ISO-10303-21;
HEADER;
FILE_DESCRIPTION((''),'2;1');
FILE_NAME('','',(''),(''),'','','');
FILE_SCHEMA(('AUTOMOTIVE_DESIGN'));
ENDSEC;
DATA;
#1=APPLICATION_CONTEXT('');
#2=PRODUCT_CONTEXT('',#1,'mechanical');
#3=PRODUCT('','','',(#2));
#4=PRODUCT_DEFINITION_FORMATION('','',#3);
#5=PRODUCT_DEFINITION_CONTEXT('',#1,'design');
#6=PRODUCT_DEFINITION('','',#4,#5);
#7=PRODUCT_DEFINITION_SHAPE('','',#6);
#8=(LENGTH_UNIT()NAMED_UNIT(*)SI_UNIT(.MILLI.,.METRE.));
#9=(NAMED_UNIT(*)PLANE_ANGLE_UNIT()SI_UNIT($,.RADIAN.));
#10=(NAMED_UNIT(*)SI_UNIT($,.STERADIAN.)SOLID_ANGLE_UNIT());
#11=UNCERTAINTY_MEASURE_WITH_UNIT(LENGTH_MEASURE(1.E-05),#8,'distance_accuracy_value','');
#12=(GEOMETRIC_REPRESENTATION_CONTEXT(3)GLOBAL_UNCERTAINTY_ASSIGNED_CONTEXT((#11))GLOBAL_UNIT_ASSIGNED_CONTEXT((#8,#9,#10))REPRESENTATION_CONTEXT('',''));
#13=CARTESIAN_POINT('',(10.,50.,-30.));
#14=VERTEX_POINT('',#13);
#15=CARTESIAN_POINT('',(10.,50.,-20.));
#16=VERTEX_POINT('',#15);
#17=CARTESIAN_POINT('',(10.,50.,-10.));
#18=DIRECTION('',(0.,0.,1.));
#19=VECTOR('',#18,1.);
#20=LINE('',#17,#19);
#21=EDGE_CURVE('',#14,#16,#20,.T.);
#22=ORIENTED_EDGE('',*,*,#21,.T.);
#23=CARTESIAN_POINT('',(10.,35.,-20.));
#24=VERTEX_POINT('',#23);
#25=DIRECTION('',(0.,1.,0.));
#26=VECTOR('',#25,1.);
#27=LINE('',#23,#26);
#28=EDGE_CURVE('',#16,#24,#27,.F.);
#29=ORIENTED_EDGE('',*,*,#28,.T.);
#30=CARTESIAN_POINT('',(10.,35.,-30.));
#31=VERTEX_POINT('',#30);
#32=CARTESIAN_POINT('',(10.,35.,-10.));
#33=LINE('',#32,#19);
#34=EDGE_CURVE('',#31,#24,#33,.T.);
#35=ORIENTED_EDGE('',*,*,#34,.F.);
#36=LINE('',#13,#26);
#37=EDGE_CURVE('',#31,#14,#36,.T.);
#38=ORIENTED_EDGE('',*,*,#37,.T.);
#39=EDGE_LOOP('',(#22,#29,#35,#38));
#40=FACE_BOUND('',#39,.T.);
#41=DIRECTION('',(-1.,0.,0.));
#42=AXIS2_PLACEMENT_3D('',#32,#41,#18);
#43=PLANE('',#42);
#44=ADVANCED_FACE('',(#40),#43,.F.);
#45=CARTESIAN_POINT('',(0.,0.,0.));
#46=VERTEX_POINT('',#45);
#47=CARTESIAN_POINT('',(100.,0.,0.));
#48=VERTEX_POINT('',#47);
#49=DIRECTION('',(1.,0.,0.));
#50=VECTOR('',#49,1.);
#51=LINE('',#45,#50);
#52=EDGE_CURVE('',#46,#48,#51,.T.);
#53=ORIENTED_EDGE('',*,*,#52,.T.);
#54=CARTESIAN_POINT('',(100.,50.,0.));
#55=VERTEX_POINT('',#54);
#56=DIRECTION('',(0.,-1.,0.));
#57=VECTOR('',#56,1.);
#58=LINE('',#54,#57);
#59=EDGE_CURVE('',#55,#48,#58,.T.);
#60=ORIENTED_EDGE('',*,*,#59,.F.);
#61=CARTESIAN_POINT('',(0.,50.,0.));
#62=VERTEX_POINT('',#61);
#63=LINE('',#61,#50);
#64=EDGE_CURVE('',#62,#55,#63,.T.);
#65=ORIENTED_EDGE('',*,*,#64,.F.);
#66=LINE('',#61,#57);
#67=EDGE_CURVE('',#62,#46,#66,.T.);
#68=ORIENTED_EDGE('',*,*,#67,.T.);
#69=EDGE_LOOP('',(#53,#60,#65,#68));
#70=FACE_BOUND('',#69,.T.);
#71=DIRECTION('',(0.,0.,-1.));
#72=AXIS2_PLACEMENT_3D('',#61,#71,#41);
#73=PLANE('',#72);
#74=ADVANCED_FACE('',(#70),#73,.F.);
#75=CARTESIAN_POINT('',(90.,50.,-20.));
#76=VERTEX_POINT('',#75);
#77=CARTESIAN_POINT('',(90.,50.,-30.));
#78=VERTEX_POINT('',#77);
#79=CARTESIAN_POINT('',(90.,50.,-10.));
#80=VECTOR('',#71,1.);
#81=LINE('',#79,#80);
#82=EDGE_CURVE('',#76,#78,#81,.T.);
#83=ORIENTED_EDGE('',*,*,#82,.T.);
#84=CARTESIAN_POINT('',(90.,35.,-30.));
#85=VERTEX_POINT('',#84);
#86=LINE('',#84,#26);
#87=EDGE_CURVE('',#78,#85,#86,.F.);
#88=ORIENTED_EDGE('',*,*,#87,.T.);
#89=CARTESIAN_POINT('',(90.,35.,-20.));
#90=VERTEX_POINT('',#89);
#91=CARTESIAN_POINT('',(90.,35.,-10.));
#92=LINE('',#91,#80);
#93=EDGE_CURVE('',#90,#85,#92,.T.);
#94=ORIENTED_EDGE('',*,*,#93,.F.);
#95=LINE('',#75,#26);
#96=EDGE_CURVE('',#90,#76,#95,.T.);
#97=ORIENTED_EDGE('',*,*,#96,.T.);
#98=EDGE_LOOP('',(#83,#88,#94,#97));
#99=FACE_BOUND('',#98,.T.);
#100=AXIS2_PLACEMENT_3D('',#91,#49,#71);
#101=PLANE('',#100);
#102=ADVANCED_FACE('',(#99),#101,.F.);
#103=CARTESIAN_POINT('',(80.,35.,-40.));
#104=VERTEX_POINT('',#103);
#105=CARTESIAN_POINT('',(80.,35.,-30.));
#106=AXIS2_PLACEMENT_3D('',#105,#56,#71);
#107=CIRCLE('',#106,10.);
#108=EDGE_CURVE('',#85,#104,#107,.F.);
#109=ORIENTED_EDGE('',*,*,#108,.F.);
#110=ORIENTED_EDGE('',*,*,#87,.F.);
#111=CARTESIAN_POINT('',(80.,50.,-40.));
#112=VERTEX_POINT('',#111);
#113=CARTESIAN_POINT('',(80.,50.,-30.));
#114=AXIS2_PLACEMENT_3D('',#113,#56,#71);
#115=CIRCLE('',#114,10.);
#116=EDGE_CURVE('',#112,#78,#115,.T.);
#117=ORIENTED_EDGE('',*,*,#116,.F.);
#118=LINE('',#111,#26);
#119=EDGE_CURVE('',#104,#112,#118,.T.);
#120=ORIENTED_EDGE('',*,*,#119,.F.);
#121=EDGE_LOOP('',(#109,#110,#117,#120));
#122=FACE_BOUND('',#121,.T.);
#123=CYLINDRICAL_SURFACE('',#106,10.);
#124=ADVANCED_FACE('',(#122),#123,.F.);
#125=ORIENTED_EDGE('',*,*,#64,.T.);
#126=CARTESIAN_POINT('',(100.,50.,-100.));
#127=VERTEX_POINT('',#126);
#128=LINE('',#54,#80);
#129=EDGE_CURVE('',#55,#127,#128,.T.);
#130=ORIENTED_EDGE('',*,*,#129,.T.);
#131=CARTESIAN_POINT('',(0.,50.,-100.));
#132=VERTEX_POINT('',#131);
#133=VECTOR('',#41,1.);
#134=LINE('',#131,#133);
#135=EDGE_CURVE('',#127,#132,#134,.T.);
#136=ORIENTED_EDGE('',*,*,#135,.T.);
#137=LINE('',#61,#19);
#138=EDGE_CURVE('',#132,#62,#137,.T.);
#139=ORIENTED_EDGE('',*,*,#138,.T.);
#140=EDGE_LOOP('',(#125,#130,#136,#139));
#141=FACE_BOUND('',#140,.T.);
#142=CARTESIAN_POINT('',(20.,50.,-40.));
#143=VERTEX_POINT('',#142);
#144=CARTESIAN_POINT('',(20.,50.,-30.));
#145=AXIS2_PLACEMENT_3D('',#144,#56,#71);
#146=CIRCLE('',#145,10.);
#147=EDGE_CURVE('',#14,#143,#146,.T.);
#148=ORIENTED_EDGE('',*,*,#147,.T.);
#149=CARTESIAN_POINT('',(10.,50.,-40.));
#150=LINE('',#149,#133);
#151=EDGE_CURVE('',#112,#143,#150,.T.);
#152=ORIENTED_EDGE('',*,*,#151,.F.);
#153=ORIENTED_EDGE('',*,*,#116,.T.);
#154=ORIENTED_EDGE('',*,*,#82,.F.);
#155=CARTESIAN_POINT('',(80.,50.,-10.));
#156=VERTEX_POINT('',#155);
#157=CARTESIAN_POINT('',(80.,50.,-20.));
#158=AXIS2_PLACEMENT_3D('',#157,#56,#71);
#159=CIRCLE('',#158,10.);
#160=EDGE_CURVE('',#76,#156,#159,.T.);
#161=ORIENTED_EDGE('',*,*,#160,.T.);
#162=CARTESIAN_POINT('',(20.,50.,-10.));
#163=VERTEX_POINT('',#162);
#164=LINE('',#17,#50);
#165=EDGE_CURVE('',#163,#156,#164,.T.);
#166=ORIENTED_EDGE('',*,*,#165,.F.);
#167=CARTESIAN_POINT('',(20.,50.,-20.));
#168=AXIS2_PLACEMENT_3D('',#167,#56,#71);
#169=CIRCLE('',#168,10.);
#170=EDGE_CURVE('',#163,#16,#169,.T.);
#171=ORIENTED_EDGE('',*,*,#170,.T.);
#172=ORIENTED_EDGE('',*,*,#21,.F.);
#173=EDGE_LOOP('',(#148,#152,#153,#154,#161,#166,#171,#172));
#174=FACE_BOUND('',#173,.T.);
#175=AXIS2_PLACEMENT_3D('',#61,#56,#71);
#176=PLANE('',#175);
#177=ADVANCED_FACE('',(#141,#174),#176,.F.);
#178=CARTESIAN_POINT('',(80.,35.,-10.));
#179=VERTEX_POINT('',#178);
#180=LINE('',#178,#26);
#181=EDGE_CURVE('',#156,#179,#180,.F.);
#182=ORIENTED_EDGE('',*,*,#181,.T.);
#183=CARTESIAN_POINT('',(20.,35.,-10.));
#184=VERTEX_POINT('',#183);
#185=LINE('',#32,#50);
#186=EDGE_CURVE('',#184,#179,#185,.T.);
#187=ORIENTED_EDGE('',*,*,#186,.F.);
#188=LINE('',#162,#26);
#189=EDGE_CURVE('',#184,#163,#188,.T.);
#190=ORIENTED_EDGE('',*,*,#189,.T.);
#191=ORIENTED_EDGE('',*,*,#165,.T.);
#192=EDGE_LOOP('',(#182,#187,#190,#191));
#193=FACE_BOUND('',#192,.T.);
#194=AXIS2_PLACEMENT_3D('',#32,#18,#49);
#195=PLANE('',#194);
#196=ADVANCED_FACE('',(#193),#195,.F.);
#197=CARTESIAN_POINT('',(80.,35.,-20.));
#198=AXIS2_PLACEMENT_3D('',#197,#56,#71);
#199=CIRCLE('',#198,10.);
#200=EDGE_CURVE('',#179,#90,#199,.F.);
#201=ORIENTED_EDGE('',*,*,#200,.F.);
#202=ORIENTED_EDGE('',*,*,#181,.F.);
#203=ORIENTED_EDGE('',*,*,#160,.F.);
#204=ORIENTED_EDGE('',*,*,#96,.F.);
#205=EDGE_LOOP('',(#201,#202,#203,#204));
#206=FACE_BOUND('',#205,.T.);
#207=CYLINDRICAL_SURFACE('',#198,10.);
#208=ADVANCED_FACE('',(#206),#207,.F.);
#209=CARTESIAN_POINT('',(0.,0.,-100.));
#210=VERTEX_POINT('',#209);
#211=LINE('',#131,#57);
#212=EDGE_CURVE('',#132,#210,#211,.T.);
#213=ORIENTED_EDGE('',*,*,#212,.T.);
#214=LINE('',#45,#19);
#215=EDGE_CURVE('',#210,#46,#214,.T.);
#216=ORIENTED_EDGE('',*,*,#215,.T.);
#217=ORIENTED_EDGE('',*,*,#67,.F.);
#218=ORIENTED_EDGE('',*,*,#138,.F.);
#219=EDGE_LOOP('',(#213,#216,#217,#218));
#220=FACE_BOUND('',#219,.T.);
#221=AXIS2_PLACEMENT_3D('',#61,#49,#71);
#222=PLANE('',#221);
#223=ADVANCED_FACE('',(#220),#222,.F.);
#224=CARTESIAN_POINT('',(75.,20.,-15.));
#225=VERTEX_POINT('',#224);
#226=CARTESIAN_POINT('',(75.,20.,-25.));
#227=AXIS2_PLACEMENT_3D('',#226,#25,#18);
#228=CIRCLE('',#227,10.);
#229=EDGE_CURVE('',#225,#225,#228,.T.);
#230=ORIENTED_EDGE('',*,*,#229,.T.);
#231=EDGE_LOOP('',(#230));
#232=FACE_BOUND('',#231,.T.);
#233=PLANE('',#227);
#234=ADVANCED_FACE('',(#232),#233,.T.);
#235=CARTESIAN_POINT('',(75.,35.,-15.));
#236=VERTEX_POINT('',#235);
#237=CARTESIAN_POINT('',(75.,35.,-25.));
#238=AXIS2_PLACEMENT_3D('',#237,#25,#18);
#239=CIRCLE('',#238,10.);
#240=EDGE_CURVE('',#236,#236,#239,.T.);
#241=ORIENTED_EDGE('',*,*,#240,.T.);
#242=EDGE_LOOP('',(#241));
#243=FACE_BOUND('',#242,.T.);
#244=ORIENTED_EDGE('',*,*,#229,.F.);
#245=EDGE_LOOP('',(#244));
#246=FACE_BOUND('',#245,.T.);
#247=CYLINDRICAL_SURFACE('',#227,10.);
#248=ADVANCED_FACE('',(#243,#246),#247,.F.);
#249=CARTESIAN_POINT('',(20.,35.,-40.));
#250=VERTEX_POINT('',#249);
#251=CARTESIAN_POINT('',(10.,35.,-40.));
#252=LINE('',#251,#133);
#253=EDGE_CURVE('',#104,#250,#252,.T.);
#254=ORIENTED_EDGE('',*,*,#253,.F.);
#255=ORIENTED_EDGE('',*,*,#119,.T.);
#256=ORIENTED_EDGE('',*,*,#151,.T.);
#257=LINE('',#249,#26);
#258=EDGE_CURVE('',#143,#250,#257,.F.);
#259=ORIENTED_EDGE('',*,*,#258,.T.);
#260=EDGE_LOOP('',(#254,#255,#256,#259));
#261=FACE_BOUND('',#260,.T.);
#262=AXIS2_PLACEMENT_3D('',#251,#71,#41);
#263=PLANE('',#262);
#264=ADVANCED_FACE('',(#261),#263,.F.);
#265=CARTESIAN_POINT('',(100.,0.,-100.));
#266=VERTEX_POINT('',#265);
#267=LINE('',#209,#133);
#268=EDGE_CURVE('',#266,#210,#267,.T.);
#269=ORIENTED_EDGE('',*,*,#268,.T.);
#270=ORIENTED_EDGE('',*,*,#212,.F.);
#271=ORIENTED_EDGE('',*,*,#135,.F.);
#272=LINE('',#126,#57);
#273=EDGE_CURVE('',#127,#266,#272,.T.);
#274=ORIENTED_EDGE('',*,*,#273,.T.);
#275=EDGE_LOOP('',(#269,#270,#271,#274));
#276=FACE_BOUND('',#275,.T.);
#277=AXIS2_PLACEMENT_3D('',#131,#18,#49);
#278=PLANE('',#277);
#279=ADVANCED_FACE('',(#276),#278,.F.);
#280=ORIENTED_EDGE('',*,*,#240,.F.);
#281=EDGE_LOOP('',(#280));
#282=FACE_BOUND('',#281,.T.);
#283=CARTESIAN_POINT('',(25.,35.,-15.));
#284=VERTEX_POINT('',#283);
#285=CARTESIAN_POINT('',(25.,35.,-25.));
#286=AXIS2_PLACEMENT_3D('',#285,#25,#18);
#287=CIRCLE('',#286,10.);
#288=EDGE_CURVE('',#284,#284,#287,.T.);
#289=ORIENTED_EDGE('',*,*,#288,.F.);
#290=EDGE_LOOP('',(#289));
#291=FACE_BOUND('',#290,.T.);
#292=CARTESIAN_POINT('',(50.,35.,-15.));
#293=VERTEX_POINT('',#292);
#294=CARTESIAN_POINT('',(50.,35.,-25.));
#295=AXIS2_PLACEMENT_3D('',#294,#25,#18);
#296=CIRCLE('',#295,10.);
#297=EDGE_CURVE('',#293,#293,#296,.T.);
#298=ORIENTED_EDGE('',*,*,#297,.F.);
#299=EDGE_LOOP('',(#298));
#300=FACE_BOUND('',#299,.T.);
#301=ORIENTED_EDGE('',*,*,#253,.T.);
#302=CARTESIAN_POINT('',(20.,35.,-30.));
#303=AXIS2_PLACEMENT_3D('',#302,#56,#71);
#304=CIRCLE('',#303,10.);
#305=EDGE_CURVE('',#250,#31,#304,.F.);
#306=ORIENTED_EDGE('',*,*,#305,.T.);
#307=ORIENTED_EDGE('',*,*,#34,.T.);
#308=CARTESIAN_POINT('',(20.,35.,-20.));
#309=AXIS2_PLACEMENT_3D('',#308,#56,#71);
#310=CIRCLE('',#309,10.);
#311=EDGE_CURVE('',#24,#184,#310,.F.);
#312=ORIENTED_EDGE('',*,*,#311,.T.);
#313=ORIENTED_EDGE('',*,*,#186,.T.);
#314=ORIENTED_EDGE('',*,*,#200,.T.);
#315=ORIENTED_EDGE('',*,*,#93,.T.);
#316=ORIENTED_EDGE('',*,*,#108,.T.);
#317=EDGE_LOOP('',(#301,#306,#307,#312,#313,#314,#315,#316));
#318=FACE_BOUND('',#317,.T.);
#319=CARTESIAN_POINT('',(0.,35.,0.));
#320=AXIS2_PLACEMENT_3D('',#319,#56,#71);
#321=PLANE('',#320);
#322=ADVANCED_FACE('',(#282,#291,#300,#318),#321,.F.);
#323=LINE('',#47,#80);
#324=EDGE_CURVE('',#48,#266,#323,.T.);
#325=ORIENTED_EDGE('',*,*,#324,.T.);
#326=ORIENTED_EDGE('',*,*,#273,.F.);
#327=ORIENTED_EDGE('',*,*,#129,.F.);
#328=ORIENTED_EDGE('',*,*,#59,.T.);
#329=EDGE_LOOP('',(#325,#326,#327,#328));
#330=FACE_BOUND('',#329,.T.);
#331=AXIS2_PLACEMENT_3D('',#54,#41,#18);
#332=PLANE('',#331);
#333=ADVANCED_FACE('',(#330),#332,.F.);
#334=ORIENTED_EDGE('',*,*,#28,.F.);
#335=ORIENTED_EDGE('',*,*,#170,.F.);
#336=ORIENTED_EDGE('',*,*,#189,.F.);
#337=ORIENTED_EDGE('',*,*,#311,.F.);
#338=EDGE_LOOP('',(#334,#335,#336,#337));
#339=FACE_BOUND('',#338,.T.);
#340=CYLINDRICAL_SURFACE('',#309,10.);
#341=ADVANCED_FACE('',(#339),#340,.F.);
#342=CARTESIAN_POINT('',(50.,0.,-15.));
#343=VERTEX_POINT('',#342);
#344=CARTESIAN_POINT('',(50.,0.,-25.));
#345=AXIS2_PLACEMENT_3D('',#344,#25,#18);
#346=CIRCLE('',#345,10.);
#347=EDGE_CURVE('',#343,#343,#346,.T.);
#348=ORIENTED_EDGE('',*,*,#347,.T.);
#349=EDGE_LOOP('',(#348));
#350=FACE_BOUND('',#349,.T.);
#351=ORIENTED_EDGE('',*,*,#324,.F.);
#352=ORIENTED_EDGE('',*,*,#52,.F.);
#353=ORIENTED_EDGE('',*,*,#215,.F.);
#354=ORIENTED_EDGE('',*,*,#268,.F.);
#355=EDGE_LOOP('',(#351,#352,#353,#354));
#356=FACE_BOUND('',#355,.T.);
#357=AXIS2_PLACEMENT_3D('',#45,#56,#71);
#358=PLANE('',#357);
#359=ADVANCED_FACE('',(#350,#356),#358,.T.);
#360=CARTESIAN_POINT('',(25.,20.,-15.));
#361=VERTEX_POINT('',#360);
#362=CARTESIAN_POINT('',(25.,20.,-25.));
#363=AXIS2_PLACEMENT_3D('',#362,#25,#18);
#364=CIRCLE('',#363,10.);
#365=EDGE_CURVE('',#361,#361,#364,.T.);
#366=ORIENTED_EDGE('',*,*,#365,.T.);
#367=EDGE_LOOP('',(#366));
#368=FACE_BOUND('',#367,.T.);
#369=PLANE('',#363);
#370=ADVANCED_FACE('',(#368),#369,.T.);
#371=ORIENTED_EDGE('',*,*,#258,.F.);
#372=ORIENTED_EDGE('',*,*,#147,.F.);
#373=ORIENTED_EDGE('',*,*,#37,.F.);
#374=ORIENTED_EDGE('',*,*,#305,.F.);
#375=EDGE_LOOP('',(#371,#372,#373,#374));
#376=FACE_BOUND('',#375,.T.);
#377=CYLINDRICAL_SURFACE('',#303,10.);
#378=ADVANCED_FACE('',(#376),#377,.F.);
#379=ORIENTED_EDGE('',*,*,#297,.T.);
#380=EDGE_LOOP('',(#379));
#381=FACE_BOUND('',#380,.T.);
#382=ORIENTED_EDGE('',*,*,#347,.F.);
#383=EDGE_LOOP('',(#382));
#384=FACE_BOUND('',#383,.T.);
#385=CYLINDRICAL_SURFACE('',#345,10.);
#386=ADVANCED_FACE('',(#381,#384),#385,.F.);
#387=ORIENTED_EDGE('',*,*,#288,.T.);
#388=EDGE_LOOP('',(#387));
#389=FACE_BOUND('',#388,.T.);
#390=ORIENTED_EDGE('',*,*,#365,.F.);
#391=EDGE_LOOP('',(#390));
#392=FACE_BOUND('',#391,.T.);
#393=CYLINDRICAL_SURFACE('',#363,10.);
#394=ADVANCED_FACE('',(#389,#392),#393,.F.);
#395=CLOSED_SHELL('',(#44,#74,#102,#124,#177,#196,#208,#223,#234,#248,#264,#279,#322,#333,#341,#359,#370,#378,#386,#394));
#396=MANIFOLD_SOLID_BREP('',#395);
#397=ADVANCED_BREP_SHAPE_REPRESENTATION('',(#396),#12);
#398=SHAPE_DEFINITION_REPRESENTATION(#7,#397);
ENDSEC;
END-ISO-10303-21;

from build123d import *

# Parameters (mm, degrees)
SKETCH1_W           = 100
SKETCH1_H           = 100
BOSS_EXTRUDE1_DEPTH = 50
SKETCH3_W           = 80
SKETCH3_H           = 30
CUT_EXTRUDE2_DEPTH  = 15
FILLET1_R           = 10
SKETCH4_R           = 10
CUT_EXTRUDE3_DEPTH  = 15
SKETCH5_R           = 10
CUT_EXTRUDE4_DEPTH  = 146.688022843


with BuildPart() as part:
    # Sketch1 → Boss-Extrude1 (new body)
    with BuildSketch(Plane(origin=(0, 0, 0), x_dir=(1, 0, 0), z_dir=(0, 1, 0))):
        with Locations((50, 50)):
            Rectangle(SKETCH1_W, SKETCH1_H)
    extrude(amount=BOSS_EXTRUDE1_DEPTH)

    # Sketch3 → Cut-Extrude2 (cut)
    with BuildSketch(Plane(origin=(0, 50, 0), x_dir=(1, 0, 0), z_dir=(0, 1, 0))):
        with Locations((50, 25)):
            Rectangle(SKETCH3_W, SKETCH3_H)
    extrude(amount=-CUT_EXTRUDE2_DEPTH, mode=Mode.SUBTRACT)

    # Fillet1
    fillet1_edges = [part.edges().sort_by_distance(p)[0] for p in [
        (10, 42.5, -10),
        (10, 42.5, -40),
        (90, 42.5, -40),
        (90, 42.5, -10),
    ]]
    fillet(fillet1_edges, radius=FILLET1_R)

    # Sketch4 → Cut-Extrude3 (cut)
    with BuildSketch(Plane(origin=(0, 35, 0), x_dir=(1, 0, 0), z_dir=(0, 1, 0))):
        with Locations(Location((25, 25, 0), (0, 0, 270))):
            Circle(SKETCH4_R)
        with Locations(Location((75, 25, 0), (0, 0, 270))):
            Circle(SKETCH4_R)
    extrude(amount=-CUT_EXTRUDE3_DEPTH, mode=Mode.SUBTRACT)

    # Sketch5 → Cut-Extrude4 (cut, through all)
    with BuildSketch(Plane(origin=(0, 35, 0), x_dir=(1, 0, 0), z_dir=(0, 1, 0))):
        with Locations(Location((50, 25, 0), (0, 0, 270))):
            Circle(SKETCH5_R)
    extrude(amount=-CUT_EXTRUDE4_DEPTH, mode=Mode.SUBTRACT)


solid = part.part
